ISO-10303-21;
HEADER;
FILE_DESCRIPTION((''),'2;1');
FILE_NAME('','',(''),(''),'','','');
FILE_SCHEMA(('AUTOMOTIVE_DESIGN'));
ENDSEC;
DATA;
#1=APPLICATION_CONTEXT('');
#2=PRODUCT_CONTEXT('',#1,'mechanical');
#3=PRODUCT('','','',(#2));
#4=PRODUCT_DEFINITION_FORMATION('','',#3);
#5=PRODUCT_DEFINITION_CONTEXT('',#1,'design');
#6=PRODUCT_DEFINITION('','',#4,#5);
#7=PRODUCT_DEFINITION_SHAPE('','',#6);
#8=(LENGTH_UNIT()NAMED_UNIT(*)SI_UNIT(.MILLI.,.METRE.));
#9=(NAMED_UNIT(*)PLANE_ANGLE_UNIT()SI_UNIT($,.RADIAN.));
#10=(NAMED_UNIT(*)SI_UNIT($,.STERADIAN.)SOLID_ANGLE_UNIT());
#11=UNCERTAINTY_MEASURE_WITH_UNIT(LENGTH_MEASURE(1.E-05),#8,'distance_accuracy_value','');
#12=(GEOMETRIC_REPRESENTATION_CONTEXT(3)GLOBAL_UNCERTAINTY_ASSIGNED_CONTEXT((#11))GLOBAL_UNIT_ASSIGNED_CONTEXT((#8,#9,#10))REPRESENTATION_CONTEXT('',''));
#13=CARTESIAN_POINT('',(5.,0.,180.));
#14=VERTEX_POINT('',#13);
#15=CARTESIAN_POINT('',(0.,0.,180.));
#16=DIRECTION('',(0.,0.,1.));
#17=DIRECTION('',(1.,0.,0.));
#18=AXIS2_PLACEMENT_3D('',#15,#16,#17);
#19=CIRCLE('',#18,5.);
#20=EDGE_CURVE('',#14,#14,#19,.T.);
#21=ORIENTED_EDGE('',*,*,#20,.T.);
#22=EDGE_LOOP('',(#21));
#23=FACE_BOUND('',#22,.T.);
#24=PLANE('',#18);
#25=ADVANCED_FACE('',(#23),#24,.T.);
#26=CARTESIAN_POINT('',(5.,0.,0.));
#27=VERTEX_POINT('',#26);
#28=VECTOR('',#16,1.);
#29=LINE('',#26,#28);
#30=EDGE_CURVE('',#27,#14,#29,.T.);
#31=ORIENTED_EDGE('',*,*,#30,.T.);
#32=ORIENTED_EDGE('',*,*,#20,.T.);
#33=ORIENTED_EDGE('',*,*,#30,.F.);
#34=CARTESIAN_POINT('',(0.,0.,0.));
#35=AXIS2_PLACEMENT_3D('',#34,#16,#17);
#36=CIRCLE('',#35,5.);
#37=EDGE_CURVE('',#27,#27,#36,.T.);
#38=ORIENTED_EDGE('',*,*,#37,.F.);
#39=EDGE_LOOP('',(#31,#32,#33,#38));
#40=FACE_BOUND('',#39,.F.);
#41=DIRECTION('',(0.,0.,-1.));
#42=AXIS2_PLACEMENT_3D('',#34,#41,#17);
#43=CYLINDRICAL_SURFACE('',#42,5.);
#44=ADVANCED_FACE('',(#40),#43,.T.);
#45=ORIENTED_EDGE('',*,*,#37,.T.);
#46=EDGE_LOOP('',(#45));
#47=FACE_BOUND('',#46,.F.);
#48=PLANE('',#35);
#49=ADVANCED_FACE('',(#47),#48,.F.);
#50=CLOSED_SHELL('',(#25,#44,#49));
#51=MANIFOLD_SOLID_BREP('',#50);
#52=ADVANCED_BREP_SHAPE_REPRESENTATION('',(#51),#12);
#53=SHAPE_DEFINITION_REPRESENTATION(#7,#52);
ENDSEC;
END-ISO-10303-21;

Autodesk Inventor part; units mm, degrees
ref_plane "YZ Plane" through (0, 0, 0) normal (1, 0, 0) x (0, 1, 0)
ref_plane "XZ Plane" through (0, 0, 0) normal (0, 1, 0) x (-1, 0, 0)
ref_plane "XY Plane" through (0, 0, 0) normal (0, 0, 1) x (1, 0, 0)
sketch "Sketch1" plane through (0, 0, 0) normal (0, 0, 1) x (1, 0, 0)
  circle A0 centre (0, 0) radius 5
  dimension "d0" = 10
extrude "Extrusion1" add sketch "Sketch1" along normal blind 180
properties part number "bridge"
